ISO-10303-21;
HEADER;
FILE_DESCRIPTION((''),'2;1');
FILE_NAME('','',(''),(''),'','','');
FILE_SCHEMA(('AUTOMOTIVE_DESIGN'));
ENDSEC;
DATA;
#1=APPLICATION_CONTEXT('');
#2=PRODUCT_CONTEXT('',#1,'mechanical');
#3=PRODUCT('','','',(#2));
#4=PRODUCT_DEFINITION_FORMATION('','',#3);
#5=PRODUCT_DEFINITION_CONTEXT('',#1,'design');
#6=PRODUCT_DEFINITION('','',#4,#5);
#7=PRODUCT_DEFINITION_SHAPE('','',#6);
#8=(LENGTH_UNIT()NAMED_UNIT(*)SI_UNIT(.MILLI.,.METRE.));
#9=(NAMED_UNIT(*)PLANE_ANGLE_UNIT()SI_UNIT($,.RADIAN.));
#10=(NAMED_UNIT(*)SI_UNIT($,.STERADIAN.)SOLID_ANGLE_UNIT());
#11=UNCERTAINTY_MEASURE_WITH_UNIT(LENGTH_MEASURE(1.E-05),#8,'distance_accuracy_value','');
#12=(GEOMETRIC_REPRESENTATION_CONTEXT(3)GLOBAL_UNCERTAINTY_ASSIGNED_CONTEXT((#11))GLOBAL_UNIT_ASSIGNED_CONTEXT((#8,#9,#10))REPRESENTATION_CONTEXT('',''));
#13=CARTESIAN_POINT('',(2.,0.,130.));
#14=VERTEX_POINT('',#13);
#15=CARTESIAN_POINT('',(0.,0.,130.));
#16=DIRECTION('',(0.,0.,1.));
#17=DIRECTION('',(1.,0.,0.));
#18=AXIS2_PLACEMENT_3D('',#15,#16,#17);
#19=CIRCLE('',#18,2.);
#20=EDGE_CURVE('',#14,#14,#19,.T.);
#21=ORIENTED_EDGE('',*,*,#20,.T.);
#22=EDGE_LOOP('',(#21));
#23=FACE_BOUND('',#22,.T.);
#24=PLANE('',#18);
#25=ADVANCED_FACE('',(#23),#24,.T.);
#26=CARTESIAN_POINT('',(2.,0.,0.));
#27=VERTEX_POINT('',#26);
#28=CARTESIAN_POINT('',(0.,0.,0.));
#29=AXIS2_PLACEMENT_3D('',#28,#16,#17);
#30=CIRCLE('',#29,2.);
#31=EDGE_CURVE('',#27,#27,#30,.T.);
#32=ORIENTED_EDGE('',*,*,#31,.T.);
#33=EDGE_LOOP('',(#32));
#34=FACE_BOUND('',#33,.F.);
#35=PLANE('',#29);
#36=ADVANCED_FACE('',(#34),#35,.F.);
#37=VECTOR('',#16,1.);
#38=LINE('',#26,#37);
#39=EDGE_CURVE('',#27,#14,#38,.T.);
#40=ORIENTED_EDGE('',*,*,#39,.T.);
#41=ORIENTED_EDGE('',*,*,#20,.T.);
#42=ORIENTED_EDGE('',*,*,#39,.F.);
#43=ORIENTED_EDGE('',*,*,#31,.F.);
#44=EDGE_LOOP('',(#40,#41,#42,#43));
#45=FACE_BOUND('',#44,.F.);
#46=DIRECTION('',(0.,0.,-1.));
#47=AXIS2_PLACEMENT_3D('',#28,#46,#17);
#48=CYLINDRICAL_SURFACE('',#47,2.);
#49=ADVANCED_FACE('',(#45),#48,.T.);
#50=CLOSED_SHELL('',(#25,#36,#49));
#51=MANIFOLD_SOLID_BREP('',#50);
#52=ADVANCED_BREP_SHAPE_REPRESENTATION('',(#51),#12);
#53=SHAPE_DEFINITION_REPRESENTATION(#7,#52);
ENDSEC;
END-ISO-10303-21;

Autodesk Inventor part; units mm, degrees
ref_plane "YZ Plane" through (0, 0, 0) normal (1, 0, 0) x (0, 1, 0)
ref_plane "XZ Plane" through (0, 0, 0) normal (0, 1, 0) x (-1, 0, 0)
ref_plane "XY Plane" through (0, 0, 0) normal (0, 0, 1) x (1, 0, 0)
sketch "Sketch1" plane through (0, 0, 0) normal (0, 0, 1) x (1, 0, 0)
  circle A0 centre (0, 0) radius 2
  dimension "d0" = 4
  dimension "d0" = 4
extrude "Extrusion1" add sketch "Sketch1" along normal blind 130
properties part number "rod_M4_140"
